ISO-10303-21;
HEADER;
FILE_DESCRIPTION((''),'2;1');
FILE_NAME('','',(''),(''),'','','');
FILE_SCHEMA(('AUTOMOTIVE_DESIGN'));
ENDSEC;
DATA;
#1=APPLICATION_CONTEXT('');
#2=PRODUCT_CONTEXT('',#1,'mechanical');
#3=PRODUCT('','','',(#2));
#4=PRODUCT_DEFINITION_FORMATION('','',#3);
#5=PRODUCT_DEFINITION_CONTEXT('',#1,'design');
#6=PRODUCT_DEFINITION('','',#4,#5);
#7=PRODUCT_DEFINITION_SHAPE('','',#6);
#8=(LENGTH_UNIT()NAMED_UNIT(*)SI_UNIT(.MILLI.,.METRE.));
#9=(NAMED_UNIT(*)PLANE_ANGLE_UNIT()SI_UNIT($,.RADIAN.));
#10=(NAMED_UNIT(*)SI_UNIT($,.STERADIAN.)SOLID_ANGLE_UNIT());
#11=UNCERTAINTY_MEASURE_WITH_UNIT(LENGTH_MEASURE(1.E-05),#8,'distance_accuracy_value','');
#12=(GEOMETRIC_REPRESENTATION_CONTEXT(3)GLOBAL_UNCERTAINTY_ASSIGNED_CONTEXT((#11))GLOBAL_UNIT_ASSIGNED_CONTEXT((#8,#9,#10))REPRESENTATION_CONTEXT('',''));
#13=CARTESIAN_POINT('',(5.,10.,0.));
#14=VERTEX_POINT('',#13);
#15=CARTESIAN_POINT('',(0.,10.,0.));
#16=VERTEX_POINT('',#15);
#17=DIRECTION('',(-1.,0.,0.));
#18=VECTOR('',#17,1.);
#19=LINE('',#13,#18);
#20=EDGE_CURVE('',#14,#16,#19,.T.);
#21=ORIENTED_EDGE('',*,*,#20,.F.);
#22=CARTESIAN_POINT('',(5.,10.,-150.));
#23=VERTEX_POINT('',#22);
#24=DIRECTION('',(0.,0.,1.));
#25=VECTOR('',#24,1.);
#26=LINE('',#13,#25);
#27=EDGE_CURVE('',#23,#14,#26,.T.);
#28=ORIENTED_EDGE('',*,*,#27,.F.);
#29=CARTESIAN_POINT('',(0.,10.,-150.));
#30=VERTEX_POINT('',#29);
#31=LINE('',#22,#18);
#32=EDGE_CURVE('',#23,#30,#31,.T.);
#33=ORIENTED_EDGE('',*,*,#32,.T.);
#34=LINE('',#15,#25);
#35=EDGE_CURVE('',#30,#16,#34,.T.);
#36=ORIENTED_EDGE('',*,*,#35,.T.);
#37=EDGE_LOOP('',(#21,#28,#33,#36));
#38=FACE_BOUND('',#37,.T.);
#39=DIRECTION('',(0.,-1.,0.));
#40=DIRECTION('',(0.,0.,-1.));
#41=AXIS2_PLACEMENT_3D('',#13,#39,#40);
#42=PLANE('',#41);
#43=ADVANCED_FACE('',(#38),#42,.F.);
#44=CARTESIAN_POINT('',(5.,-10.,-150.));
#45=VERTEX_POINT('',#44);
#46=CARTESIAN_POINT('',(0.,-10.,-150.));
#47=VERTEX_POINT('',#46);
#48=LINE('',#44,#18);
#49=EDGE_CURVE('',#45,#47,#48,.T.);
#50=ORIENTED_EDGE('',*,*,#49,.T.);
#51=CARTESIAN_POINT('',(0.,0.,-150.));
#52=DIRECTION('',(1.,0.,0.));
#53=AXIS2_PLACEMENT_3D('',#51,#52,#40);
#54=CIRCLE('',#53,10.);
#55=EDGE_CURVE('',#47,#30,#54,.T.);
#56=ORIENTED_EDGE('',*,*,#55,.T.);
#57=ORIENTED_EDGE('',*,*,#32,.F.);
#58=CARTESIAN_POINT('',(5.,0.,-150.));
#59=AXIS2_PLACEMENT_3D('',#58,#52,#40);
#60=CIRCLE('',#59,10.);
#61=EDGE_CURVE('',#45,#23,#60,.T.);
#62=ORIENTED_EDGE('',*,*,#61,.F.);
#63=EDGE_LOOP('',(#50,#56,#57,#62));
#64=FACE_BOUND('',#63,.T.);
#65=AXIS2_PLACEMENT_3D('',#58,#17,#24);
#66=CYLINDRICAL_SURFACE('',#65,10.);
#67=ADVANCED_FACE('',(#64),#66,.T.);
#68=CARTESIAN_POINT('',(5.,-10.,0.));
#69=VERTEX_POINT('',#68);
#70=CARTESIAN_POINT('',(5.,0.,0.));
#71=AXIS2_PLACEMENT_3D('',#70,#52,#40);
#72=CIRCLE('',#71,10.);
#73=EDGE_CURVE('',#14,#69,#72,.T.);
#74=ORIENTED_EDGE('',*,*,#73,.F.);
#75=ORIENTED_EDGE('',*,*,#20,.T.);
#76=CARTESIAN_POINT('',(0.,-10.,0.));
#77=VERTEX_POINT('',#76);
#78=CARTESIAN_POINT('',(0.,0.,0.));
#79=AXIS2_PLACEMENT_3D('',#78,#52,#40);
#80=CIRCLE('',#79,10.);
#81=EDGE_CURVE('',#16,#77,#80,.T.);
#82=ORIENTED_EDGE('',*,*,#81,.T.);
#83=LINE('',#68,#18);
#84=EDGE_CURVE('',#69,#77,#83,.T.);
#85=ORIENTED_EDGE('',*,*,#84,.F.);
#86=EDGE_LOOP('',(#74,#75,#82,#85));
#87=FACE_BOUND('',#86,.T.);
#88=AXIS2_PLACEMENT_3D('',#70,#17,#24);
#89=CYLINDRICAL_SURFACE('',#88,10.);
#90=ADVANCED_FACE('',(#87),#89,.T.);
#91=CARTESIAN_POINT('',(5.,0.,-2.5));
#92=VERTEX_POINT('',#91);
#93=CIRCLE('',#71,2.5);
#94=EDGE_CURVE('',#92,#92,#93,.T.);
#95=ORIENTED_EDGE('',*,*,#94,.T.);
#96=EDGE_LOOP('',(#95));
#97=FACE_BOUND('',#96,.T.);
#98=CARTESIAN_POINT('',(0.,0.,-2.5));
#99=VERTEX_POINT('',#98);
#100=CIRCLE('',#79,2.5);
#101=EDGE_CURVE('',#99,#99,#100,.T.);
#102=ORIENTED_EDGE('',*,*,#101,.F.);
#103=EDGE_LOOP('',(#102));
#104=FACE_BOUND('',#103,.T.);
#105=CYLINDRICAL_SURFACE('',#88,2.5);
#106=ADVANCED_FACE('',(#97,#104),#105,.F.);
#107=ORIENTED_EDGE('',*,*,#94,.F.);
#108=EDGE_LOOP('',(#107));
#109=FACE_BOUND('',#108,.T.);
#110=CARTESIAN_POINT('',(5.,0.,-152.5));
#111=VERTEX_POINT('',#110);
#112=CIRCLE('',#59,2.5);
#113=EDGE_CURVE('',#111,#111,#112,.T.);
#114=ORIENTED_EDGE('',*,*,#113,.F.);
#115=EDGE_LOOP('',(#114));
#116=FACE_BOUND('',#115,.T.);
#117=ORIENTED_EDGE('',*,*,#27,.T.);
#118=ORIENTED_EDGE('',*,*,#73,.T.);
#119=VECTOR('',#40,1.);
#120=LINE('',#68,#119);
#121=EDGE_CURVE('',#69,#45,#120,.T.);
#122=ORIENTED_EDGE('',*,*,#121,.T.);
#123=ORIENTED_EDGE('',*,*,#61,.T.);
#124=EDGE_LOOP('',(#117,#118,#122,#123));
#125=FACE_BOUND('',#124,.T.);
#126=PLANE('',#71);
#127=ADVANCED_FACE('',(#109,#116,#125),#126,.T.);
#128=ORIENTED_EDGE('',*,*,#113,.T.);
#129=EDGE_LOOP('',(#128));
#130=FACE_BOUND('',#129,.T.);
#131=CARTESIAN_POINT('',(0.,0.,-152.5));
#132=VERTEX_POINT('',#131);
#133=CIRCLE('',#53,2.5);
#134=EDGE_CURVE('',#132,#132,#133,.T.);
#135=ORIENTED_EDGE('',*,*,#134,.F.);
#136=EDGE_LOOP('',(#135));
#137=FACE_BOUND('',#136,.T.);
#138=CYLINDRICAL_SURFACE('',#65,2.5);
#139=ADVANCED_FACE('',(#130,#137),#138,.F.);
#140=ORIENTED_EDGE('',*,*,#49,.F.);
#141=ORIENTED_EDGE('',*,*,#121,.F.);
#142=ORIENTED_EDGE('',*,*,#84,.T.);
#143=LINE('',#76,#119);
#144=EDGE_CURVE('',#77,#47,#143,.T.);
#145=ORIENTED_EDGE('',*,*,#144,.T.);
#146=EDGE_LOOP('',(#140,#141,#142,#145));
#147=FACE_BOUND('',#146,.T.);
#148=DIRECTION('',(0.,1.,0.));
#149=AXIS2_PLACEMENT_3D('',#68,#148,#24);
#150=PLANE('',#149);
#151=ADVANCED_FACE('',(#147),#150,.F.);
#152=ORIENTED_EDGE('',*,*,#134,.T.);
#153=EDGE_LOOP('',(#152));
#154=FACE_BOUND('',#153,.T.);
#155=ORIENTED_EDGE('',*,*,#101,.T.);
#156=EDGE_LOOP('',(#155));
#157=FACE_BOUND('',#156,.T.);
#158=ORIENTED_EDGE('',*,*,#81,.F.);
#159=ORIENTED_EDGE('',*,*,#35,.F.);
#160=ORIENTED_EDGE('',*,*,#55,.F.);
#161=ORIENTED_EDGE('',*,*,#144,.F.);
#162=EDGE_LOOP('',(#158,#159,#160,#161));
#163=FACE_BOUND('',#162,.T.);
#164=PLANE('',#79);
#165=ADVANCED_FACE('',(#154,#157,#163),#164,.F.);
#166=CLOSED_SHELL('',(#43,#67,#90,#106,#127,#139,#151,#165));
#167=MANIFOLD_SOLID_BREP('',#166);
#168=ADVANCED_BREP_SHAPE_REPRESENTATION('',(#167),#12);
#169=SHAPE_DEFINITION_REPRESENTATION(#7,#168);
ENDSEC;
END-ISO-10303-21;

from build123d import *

# Parameters (mm, degrees)
SKETCH1_R           = 2.5
BOSS_EXTRUDE1_DEPTH = 5


with BuildPart() as part:
    # Sketch1 → Boss-Extrude1 (new body)
    with BuildSketch(Plane(origin=(0, 0, 0), x_dir=(0, 0, -1), z_dir=(1, 0, 0))):
        with BuildLine():
            Line((0, 10), (150, 10))
            ThreePointArc((150, 10), (160, 0), (150, -10))
            Line((150, -10), (0, -10))
            ThreePointArc((0, -10), (-10, 0), (0, 10))
        make_face()
        Circle(SKETCH1_R, mode=Mode.SUBTRACT)
        with Locations((150, 0)):
            Circle(SKETCH1_R, mode=Mode.SUBTRACT)
    extrude(amount=BOSS_EXTRUDE1_DEPTH)


solid = part.part
